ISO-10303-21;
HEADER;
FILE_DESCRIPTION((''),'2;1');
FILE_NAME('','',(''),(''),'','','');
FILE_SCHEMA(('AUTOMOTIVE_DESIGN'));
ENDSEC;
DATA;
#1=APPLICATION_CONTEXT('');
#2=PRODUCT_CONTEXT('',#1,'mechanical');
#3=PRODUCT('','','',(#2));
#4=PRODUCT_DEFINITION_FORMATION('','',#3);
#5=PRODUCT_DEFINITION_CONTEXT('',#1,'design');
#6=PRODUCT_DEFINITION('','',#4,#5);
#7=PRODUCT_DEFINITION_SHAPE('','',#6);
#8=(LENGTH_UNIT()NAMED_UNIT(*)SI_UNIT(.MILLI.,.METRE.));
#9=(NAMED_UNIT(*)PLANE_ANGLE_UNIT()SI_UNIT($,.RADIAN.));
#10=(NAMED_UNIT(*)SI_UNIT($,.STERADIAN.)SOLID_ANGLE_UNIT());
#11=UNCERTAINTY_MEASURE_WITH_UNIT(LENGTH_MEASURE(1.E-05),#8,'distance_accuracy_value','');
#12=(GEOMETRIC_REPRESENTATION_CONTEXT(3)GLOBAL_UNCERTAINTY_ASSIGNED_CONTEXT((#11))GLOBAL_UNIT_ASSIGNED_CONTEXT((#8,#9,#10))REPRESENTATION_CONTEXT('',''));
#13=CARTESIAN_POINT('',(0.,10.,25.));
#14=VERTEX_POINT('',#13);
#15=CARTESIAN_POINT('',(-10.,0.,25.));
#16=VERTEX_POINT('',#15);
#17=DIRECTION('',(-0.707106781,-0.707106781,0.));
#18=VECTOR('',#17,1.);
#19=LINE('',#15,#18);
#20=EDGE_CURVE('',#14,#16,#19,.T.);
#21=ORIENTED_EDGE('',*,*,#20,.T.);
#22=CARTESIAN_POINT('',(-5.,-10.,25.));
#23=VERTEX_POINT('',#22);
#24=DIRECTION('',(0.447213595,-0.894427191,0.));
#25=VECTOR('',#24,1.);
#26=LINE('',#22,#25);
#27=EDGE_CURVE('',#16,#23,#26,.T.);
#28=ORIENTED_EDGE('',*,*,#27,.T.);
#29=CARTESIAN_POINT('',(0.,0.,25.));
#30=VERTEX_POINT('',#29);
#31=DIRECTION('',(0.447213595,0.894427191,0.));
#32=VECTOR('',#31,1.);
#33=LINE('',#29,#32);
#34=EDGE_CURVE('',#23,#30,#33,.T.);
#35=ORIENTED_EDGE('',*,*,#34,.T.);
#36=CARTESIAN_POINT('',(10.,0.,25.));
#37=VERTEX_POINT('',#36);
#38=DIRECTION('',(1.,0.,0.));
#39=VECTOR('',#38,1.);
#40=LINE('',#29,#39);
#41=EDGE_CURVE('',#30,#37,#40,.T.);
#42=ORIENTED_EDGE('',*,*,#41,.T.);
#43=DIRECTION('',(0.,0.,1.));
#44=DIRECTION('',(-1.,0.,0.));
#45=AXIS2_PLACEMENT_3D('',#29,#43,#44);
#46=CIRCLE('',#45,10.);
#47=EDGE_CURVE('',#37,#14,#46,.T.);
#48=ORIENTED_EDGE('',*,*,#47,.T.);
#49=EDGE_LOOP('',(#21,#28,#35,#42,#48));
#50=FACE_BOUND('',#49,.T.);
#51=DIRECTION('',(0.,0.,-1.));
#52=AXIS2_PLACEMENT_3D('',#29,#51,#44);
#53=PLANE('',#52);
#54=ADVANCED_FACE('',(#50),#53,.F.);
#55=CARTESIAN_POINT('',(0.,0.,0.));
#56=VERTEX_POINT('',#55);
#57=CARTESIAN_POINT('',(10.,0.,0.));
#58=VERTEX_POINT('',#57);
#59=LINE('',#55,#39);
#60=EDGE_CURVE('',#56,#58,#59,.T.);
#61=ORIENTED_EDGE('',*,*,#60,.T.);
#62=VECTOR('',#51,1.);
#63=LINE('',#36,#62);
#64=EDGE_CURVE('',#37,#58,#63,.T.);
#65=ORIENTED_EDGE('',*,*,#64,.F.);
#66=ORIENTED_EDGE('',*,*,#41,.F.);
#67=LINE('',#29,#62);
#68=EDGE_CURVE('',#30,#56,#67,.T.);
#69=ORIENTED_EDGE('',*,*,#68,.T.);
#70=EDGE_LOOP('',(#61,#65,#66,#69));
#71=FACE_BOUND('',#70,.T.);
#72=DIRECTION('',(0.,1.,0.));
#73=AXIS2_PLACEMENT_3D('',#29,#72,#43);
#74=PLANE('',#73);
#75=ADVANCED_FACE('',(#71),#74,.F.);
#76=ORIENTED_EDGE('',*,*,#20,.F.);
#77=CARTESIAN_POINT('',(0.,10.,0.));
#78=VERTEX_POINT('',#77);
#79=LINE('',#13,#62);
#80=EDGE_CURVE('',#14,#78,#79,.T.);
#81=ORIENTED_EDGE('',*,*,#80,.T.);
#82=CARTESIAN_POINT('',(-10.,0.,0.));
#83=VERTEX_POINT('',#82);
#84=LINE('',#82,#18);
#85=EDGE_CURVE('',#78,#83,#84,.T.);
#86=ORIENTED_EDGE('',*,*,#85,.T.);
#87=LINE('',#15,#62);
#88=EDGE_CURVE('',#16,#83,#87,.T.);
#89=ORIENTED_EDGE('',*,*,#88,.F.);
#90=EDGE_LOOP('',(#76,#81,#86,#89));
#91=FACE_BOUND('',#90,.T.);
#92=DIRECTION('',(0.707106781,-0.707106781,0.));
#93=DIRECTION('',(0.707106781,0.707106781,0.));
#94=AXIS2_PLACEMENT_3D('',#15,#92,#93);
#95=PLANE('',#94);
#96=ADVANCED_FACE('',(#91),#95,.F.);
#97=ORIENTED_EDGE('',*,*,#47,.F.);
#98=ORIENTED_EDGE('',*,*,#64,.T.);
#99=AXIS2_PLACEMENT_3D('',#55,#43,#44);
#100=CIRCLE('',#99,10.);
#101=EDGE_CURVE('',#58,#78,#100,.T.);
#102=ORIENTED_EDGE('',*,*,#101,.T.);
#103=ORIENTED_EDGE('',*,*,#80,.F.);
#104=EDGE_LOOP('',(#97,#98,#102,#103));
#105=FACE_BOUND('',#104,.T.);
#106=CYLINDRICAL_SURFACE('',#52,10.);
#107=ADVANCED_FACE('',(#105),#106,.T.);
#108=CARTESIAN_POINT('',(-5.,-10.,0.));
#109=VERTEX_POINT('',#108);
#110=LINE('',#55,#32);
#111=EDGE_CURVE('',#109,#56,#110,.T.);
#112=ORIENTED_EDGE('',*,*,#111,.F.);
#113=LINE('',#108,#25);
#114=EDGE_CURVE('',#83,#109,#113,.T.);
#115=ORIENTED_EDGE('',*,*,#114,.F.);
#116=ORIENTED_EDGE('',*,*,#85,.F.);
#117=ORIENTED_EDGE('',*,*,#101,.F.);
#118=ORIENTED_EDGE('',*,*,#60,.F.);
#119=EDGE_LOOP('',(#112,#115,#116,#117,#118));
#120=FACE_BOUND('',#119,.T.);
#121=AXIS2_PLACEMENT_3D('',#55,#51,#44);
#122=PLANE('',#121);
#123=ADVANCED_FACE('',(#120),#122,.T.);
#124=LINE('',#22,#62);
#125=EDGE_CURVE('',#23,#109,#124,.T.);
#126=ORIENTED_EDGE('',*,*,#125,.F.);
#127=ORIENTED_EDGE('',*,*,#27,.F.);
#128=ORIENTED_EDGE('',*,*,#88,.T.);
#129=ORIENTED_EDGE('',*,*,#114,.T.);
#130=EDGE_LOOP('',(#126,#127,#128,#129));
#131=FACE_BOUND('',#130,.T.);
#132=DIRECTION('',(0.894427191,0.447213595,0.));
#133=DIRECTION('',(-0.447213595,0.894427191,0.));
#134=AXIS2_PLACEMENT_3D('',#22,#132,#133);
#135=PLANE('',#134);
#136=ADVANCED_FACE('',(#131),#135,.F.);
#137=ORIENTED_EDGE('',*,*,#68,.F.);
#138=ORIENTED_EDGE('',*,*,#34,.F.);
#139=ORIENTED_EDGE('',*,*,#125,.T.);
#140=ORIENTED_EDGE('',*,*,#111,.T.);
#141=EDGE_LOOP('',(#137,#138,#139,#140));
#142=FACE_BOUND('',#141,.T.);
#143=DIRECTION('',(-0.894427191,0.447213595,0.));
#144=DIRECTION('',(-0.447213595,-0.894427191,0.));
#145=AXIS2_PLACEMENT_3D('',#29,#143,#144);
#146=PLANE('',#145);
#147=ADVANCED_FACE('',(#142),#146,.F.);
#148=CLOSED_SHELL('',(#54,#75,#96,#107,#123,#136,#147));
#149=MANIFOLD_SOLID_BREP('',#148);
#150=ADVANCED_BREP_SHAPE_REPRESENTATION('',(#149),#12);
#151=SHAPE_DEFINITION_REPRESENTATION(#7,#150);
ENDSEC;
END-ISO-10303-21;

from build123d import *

# Parameters (mm, degrees)
BOSS_EXTRUDE1_DEPTH = 25


with BuildPart() as part:
    # Sketch1 → Boss-Extrude1 (new body)
    with BuildSketch(Plane.XY):
        with BuildLine():
            Line((-10, 0), (0, 10))
            ThreePointArc((0, 10), (7.071067812, 7.071067812), (10, 0))
            Line((10, 0), (0, 0))
            Line((0, 0), (-5, -10))
            Line((-5, -10), (-10, 0))
        make_face()
    extrude(amount=BOSS_EXTRUDE1_DEPTH)


solid = part.part
